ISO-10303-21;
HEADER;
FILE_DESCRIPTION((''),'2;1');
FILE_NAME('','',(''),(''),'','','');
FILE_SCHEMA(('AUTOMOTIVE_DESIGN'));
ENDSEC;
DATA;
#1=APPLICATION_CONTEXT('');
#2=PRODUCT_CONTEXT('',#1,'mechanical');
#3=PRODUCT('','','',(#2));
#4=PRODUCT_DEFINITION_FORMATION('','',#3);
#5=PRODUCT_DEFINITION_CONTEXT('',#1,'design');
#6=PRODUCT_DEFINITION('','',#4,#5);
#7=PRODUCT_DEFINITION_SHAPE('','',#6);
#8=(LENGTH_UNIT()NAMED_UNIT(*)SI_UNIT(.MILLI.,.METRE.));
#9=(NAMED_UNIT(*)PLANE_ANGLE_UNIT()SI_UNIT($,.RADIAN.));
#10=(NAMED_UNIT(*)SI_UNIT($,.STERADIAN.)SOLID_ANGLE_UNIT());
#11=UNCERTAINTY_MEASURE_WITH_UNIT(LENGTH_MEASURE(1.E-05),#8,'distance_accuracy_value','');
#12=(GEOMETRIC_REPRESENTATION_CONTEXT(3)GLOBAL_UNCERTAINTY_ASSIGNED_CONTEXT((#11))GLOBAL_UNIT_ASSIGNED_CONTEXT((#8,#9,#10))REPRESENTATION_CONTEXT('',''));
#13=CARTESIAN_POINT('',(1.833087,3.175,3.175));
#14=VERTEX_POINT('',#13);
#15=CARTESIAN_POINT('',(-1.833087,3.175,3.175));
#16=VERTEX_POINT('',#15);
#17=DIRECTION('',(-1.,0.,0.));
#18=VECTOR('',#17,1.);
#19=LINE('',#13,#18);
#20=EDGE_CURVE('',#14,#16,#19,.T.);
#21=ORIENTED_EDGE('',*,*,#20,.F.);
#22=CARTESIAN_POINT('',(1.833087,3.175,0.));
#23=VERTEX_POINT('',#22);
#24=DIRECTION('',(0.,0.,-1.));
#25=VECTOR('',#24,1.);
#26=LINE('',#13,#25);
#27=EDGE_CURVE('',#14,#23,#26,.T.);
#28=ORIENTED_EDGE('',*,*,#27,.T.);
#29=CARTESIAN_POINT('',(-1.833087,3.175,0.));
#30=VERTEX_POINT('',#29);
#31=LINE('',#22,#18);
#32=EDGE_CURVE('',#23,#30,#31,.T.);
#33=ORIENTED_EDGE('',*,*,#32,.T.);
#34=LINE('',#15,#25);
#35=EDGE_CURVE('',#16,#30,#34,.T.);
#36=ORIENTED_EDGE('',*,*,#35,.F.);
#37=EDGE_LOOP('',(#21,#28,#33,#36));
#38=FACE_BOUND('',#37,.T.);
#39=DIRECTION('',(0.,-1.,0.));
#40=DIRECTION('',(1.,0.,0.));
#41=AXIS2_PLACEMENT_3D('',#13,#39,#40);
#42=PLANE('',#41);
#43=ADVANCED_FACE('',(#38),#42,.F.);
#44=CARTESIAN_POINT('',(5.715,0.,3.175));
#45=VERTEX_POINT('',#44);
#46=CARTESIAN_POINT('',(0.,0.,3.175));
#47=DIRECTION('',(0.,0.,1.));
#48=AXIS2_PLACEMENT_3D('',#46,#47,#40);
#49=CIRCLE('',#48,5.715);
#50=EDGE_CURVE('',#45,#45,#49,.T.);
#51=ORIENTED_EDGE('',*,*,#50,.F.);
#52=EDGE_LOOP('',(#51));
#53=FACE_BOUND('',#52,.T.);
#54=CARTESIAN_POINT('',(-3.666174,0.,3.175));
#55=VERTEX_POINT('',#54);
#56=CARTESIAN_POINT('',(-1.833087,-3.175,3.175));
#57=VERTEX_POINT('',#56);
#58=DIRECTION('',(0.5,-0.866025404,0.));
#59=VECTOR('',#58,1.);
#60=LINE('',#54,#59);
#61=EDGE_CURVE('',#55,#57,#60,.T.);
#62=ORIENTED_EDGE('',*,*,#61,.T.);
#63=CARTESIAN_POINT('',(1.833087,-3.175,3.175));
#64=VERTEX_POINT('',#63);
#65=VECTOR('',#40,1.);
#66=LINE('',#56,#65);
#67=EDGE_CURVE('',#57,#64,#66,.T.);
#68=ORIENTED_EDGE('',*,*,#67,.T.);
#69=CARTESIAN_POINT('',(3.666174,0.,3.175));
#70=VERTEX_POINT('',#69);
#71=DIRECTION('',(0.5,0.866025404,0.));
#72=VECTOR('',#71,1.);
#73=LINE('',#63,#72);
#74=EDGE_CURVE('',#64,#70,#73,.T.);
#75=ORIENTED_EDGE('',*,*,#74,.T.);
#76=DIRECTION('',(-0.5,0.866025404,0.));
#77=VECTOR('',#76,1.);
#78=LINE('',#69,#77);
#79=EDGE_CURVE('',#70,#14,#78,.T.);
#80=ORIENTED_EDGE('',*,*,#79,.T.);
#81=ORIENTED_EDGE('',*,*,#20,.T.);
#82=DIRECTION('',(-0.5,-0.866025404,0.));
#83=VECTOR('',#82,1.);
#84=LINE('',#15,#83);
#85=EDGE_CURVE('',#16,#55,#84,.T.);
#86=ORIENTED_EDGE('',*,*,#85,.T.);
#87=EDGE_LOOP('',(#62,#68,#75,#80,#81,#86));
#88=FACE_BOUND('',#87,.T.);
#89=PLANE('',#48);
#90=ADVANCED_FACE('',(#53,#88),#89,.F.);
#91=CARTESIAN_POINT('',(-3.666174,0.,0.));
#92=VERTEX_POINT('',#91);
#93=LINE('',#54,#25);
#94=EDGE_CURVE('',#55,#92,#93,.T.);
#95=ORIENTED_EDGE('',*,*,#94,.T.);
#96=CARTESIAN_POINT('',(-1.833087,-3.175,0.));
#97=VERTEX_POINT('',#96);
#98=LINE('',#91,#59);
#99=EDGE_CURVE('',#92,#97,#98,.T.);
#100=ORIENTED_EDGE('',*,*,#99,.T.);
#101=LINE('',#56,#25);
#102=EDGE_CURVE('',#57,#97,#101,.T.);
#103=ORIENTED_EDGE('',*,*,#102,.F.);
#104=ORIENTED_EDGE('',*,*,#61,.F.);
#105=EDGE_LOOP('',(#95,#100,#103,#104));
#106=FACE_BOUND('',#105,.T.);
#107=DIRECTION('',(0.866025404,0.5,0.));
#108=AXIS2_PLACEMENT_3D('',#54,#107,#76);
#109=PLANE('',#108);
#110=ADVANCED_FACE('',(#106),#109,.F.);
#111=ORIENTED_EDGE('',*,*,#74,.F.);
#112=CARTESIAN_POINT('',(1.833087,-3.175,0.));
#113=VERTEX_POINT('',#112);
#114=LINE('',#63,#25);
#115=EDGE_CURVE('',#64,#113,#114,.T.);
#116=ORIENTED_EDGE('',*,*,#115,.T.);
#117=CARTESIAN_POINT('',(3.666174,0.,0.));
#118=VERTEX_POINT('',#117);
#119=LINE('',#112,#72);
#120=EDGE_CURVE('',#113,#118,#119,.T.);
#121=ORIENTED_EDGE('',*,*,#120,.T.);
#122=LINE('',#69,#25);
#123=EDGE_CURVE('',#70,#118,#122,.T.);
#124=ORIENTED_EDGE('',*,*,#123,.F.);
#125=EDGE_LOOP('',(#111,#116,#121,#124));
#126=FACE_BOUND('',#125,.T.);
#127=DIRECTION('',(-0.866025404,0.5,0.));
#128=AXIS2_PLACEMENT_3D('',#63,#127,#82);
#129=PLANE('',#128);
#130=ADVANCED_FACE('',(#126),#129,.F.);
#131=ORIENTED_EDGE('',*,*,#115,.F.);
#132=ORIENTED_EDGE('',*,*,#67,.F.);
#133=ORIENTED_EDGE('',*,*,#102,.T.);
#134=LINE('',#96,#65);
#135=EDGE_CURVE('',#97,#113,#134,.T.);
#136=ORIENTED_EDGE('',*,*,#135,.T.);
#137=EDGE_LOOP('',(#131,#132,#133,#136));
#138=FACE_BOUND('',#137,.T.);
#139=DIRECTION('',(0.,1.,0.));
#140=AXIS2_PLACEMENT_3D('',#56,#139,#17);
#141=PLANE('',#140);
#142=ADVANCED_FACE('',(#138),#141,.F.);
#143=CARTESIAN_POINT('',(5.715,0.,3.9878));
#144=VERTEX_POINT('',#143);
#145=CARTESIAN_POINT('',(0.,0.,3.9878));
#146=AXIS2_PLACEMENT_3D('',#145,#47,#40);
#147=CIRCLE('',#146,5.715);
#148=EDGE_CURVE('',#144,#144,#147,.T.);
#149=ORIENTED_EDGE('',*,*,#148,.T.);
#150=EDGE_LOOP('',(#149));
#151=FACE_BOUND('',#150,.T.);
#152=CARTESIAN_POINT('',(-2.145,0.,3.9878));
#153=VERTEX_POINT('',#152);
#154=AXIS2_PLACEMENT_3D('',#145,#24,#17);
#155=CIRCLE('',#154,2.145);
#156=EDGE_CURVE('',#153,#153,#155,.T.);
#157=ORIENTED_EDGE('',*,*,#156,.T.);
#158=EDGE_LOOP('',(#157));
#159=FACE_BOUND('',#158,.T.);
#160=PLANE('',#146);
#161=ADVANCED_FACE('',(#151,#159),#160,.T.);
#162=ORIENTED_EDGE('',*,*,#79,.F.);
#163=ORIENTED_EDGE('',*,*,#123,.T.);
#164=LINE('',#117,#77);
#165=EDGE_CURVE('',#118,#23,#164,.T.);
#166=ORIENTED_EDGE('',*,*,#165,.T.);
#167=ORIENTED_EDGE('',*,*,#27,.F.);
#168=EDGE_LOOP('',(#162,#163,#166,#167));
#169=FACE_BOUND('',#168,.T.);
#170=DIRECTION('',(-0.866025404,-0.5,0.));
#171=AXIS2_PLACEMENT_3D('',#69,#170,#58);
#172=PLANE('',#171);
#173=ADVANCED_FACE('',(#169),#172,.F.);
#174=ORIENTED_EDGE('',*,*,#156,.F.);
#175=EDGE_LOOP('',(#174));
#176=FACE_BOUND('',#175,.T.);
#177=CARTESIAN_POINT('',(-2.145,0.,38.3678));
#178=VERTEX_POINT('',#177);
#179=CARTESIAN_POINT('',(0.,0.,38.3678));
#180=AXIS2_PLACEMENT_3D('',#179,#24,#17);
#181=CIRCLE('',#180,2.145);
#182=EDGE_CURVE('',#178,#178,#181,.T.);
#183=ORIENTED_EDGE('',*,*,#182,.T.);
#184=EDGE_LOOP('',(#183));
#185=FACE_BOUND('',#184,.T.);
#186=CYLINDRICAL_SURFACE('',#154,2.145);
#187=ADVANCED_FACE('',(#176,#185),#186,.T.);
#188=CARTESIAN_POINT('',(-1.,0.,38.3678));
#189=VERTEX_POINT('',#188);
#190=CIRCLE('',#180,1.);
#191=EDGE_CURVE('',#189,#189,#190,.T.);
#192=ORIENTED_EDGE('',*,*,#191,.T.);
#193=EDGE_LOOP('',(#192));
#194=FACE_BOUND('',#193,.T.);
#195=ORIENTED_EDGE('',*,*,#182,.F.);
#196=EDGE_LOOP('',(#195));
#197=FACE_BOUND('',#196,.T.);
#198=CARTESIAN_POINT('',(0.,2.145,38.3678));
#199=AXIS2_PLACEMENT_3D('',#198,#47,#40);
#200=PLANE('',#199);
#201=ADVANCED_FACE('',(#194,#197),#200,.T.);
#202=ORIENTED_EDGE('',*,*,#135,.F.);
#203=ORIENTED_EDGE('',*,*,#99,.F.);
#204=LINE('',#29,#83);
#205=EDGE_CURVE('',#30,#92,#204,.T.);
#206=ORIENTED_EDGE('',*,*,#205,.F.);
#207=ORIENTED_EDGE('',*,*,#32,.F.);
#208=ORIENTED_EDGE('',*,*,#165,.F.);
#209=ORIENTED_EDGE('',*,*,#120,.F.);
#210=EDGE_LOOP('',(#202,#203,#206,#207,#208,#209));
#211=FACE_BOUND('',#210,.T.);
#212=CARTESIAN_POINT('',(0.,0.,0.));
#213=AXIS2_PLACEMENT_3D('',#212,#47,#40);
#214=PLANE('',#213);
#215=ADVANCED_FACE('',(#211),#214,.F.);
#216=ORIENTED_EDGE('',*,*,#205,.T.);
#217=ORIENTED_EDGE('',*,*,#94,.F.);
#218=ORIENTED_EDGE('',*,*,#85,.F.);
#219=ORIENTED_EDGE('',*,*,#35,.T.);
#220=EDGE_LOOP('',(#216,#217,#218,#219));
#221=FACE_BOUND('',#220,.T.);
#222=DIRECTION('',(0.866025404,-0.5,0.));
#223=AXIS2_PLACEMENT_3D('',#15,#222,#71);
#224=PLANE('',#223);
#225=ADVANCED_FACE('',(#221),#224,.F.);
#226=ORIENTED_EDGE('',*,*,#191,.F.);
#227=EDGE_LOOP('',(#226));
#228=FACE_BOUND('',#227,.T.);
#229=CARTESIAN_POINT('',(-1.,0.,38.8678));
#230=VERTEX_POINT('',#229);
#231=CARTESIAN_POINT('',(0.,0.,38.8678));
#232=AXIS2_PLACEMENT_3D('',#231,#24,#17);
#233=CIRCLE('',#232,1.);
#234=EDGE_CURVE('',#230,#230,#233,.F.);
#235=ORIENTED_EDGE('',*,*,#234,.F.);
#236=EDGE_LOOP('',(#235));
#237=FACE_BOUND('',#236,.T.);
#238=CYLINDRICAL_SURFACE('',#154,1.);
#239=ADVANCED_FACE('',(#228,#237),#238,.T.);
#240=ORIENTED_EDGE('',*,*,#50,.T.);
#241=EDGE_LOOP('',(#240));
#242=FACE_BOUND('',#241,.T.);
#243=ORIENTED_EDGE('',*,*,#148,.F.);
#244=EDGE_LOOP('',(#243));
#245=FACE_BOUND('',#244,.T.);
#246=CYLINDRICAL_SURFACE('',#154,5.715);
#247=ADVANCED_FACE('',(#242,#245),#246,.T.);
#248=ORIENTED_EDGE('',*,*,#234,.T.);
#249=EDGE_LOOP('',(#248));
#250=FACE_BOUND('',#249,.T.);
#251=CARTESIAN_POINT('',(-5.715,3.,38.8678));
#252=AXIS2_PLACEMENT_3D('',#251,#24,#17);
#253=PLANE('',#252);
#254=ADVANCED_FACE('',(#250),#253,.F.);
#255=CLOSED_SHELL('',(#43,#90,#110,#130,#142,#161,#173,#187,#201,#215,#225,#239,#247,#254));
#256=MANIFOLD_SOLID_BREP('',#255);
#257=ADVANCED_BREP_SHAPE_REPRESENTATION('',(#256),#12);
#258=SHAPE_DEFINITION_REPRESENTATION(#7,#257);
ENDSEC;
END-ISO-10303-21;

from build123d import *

# Parameters (mm, degrees)
BOSS_EXTRUDE1_DEPTH     = 3.175
SKETCH2_R               = 5.715
BOSS_EXTRUDE2_DEPTH     = 0.8128
CUT_EXTRUDE1_DEPTH      = 51.094096647
CUT_EXTRUDE1_DEPTH_BACK = 51.094096647
SKETCH4_W               = 11.07
SKETCH4_H               = 6


with BuildPart() as part:
    # Sketch1 → Boss-Extrude1 (new body)
    with BuildSketch(Plane.XY):
        Polygon((3.666174209, 0), (1.833087105, 3.175), (-1.833087105, 3.175), (-3.666174209, 0), (-1.833087105, -3.175), (1.833087105, -3.175), align=None)
    extrude(amount=BOSS_EXTRUDE1_DEPTH)

    # Sketch2 → Boss-Extrude2 (add)
    with BuildSketch(Plane.XY.offset(3.175)):
        Circle(SKETCH2_R)
    extrude(amount=BOSS_EXTRUDE2_DEPTH)

    # Sketch3 → Revolve1 (revolve)
    with BuildSketch(Plane(origin=(0, 0, 0), x_dir=(0, 0, -1), z_dir=(1, 0, 0)), mode=Mode.PRIVATE) as revolve1_sk:
        Polygon((-3.9878, 0), (-49.4378, 0), (-49.4378, 2.145), (-39.3678, 2.145), (-39.3678, 1), (-38.3678, 1), (-38.3678, 2.145), (-3.9878, 2.145), align=None)
    revolve(revolve1_sk.sketch.rotate(Axis((0, 0, 3.9878), (0, 0, 1)), 90), axis=Axis((0, 0, 3.9878), (0, 0, 1)))

    # Sketch4 → Cut-Extrude1 (cut, two sides: drawn at the far end of the back side and taken through both)
    with BuildSketch(Plane(origin=(0, 0, 0), x_dir=(0, 0, -1), z_dir=(1, 0, 0)).offset(-CUT_EXTRUDE1_DEPTH_BACK)):
        with Locations((-44.4028, 0)):
            Rectangle(SKETCH4_W, SKETCH4_H)
    extrude(amount=CUT_EXTRUDE1_DEPTH + CUT_EXTRUDE1_DEPTH_BACK, mode=Mode.SUBTRACT)


solid = part.part
